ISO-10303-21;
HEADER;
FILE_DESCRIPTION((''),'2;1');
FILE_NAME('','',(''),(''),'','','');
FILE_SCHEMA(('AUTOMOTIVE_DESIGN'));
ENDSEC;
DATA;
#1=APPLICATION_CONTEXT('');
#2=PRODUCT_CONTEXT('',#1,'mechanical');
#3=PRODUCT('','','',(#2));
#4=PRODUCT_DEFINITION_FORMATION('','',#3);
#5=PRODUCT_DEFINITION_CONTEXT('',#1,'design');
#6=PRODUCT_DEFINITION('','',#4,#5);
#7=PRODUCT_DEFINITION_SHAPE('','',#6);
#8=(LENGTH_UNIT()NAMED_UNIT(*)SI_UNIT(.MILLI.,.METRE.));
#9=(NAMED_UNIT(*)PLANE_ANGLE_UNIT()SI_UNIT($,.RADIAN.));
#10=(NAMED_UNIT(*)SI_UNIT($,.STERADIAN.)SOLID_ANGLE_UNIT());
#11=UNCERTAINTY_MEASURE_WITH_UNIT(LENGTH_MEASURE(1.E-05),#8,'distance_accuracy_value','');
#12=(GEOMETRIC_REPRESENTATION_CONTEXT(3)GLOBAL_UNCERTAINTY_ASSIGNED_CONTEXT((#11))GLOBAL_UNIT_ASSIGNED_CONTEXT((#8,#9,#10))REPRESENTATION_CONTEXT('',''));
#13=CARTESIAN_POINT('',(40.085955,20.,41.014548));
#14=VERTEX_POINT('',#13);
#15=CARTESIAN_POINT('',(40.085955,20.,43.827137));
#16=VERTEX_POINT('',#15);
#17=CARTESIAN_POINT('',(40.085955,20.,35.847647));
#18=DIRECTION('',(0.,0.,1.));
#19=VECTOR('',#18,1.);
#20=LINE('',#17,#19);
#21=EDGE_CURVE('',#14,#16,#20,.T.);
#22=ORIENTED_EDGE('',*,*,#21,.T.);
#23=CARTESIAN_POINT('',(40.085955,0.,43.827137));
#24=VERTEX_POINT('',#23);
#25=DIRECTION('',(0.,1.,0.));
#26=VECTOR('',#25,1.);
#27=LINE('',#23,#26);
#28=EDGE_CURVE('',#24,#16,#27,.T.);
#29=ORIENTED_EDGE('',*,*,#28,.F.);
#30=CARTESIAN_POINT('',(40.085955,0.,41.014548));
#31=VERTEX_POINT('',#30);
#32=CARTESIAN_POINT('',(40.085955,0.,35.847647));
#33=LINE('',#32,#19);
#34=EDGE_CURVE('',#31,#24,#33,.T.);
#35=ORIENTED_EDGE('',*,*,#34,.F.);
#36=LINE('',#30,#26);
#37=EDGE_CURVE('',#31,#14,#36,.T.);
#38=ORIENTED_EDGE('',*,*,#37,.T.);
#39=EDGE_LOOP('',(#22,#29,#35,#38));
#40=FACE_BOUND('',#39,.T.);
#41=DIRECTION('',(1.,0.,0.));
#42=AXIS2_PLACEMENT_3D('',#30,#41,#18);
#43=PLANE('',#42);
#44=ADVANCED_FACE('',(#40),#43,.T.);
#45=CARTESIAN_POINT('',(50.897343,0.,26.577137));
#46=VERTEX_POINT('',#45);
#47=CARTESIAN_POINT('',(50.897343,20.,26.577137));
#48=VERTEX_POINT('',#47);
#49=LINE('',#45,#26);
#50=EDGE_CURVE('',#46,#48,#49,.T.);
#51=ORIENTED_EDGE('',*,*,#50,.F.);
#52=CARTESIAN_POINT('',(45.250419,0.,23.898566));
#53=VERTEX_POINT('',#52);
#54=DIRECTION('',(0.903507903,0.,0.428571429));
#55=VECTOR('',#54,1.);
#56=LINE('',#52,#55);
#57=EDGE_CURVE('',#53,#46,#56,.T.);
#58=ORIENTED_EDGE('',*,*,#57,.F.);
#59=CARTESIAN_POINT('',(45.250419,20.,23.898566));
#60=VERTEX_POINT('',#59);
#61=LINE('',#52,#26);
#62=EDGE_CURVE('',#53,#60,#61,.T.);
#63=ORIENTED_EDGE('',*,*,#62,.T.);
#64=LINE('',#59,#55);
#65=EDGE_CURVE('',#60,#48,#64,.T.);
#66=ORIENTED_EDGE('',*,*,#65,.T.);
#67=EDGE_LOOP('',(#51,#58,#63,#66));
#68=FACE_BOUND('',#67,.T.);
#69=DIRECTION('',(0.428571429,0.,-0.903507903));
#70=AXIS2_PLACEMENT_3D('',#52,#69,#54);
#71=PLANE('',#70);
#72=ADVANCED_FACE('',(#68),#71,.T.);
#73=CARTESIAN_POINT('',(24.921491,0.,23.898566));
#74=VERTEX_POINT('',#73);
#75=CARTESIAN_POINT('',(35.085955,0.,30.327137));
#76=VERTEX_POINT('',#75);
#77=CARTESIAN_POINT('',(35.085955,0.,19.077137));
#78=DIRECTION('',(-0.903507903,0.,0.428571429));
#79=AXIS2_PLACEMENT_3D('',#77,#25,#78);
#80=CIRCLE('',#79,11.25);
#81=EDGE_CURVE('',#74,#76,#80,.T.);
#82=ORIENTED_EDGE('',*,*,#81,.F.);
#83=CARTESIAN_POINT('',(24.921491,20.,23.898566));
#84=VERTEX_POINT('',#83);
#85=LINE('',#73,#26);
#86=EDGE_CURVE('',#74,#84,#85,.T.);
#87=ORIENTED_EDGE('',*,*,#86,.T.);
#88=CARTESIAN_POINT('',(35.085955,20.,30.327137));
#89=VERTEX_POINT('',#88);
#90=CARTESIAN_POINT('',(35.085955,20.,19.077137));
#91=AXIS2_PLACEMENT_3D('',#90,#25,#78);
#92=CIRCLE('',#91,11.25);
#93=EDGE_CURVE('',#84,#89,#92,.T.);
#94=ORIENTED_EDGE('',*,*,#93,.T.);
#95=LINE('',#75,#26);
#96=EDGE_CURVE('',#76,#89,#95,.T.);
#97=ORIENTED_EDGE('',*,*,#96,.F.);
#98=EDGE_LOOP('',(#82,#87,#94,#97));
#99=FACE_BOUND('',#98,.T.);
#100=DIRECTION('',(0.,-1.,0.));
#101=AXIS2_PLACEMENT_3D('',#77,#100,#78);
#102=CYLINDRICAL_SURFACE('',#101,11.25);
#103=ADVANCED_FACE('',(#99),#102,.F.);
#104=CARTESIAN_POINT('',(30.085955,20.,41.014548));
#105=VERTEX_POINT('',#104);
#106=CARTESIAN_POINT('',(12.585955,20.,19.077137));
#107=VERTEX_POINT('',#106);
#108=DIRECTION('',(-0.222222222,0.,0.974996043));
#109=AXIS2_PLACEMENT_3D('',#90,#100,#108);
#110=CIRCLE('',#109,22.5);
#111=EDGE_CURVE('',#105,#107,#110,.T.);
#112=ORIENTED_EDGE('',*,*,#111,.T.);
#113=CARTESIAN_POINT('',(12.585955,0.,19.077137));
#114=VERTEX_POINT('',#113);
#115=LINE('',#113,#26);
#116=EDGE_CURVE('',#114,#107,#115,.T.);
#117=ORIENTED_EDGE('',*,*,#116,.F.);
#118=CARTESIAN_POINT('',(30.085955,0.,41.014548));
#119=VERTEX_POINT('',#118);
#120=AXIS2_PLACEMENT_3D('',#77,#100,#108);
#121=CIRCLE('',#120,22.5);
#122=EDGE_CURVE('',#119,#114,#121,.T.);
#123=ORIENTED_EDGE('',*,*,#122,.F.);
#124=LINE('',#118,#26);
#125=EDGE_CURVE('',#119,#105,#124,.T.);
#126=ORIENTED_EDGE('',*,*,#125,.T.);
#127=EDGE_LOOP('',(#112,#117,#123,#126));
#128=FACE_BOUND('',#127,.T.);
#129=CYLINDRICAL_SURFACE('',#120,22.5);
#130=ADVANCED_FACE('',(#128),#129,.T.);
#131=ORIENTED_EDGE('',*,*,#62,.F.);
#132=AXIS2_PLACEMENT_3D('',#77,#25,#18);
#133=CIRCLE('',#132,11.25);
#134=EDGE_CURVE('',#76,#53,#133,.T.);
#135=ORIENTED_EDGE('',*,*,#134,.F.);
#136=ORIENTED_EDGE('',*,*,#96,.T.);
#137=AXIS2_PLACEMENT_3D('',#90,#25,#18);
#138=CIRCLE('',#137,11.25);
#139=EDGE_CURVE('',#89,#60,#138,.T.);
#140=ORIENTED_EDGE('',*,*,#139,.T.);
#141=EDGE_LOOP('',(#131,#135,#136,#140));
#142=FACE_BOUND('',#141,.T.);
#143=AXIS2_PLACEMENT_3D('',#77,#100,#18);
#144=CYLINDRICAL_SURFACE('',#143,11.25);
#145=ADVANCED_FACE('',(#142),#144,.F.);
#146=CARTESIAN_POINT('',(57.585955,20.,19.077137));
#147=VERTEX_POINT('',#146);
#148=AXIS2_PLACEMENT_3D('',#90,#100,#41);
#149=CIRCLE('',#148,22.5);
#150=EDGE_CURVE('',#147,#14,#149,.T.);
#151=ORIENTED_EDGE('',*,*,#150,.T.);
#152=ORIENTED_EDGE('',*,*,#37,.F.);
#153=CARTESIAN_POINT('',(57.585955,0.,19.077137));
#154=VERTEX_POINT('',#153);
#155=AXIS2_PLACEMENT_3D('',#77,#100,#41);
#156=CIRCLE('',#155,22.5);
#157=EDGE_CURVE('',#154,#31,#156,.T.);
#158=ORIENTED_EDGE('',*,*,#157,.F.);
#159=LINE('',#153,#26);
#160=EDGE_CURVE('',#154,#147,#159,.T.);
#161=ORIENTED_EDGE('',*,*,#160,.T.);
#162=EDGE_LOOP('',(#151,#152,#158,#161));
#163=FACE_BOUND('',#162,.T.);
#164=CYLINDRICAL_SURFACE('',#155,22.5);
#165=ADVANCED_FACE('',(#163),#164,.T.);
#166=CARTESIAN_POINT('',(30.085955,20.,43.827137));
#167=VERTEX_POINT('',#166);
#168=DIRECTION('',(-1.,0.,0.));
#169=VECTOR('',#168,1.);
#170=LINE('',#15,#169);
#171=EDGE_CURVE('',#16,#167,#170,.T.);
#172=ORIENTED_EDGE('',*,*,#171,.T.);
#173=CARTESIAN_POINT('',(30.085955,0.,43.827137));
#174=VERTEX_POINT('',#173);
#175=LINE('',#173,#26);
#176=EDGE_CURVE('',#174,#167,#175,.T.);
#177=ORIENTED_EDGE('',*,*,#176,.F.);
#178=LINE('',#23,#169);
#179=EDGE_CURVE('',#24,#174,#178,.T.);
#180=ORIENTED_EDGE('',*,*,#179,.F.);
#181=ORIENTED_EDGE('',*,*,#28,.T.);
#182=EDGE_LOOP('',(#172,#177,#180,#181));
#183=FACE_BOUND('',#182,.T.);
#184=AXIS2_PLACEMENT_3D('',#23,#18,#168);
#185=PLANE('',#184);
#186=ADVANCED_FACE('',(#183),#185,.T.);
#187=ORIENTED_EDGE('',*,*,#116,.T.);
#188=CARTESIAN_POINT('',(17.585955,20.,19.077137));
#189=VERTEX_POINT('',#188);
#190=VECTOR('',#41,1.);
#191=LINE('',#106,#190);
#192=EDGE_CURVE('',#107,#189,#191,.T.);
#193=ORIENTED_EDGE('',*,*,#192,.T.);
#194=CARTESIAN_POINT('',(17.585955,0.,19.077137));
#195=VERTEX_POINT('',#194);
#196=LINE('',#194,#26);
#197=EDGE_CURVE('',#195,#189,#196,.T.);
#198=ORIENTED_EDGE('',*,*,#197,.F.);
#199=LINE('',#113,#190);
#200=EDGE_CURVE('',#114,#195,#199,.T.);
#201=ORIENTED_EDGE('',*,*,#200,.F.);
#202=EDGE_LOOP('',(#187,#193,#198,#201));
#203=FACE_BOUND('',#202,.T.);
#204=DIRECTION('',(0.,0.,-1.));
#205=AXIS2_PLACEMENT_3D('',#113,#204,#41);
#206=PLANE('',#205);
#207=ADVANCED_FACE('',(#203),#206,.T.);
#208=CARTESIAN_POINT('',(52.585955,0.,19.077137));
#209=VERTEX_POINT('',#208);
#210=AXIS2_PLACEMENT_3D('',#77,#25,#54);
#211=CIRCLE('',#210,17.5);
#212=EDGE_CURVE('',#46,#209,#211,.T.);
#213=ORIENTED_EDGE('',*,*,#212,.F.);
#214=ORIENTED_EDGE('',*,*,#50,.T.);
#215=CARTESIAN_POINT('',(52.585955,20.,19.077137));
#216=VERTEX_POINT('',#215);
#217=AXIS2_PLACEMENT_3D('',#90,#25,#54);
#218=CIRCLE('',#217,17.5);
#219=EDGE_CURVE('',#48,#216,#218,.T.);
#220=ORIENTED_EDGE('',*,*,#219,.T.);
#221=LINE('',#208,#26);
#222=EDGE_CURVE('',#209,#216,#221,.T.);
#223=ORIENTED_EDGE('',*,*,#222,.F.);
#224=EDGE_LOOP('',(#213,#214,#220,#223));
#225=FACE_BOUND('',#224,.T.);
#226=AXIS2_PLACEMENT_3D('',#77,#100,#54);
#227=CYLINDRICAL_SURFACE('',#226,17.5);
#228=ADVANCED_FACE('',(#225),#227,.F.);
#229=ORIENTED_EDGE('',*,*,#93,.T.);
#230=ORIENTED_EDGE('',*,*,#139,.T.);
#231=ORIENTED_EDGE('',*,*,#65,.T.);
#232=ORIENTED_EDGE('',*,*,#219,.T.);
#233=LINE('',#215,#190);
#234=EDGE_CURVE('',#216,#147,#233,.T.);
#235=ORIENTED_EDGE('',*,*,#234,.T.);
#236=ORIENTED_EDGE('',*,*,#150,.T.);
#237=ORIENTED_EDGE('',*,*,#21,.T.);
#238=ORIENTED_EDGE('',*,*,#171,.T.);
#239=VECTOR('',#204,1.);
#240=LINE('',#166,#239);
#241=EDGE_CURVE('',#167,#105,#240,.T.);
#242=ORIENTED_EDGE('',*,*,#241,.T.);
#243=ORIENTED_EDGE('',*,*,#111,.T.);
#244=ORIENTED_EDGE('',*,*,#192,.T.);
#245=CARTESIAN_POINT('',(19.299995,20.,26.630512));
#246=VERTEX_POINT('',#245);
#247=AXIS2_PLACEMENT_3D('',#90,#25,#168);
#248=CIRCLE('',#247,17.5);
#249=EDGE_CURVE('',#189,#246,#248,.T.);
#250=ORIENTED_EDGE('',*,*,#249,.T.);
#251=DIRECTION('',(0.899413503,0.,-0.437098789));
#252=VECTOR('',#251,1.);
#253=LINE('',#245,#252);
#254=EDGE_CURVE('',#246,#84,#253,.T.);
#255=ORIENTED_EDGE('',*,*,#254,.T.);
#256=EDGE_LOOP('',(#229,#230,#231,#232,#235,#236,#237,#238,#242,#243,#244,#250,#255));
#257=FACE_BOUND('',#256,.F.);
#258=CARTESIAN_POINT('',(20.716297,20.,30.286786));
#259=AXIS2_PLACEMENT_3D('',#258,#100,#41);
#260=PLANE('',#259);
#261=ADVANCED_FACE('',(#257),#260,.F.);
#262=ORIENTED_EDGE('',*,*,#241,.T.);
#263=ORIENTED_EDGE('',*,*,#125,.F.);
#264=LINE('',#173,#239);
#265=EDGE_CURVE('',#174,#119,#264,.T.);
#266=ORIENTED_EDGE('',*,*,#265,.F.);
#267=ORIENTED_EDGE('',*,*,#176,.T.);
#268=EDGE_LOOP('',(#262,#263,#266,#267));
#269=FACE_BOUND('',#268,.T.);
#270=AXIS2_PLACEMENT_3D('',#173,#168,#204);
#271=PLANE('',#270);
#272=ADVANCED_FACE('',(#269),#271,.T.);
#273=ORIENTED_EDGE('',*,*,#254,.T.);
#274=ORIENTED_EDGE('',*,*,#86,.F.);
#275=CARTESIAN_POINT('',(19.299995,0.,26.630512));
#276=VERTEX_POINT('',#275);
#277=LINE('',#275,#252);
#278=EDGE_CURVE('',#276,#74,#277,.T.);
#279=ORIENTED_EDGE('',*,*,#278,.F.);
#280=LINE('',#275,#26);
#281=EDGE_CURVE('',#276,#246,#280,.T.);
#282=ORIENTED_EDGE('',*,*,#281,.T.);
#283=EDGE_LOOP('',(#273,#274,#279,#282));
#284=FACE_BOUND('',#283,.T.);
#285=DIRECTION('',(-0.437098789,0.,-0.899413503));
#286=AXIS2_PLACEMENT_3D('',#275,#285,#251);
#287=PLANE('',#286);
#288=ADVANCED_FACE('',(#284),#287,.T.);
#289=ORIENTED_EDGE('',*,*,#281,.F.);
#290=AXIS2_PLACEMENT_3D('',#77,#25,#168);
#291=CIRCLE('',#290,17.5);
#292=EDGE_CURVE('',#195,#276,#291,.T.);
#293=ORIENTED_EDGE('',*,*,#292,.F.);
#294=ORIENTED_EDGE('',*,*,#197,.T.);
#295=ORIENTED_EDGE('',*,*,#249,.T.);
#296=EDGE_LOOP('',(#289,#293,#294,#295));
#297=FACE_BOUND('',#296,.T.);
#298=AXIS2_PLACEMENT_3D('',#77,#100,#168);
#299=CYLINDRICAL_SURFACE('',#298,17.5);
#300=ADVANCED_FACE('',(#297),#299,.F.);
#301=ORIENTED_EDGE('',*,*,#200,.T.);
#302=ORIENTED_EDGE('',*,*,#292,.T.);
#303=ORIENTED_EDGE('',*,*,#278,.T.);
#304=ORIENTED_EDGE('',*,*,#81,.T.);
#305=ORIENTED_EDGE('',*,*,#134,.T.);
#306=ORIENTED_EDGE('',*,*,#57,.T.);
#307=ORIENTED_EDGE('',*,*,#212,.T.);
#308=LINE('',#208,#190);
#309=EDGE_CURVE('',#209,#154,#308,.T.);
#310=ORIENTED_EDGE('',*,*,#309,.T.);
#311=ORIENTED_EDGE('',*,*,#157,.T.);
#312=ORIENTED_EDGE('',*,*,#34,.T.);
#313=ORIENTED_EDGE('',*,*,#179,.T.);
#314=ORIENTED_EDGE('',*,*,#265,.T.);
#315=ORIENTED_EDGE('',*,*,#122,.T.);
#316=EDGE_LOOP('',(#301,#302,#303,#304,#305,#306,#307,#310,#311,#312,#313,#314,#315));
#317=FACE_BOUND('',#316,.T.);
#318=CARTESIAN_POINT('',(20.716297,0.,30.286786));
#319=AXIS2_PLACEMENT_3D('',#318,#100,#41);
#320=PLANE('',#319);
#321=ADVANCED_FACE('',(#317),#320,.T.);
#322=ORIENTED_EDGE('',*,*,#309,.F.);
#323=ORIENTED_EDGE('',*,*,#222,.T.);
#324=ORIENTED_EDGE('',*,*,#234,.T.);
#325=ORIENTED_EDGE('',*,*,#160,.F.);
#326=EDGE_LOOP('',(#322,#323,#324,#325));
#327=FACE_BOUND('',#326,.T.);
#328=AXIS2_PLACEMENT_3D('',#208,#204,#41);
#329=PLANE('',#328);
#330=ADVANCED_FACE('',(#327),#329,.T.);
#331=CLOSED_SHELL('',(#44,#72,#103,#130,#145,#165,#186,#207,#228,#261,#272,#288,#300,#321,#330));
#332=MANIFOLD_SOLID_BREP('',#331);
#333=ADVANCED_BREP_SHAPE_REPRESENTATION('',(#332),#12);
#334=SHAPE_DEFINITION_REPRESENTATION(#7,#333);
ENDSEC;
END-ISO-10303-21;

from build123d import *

# Parameters (mm, degrees)
F1_DEPTH = 20


with BuildPart() as f1:
    # F0 (on Front) → F1 (new body)
    with BuildSketch(Plane.XZ):
        with BuildLine():
            ThreePointArc((17.5859551343, 19.07713693), (18.019843983, 22.9498427249), (19.2999951541, 26.6305115074))
            ThreePointArc((19.2999951541, 26.6305115074), (20.3740299114, 28.5539114993), (21.6811985158, 30.32713693))
            ThreePointArc((21.6811985158, 30.32713693), (25.4785218795, 33.7040718876), (30.0859551343, 35.8476467612))
            Line((30.0859551343, 35.8476467612), (30.0859551343, 41.0145478985))
            ThreePointArc((30.0859551343, 41.0145478985), (17.4968960349, 33.1083521304), (12.5859551343, 19.07713693))
            Line((12.5859551343, 19.07713693), (17.5859551343, 19.07713693))
        make_face()
        with BuildLine():
            Line((30.0859551343, 43.82713693), (30.0859551343, 41.0145478985))
            ThreePointArc((30.0859551343, 41.0145478985), (35.0859551343, 41.57713693), (40.0859551343, 41.0145478985))
            Line((40.0859551343, 41.0145478985), (40.0859551343, 43.82713693))
            Line((40.0859551343, 43.82713693), (30.0859551343, 43.82713693))
        make_face()
        with BuildLine():
            Line((30.0859551343, 41.0145478985), (30.0859551343, 35.8476467612))
            ThreePointArc((30.0859551343, 35.8476467612), (35.0859551343, 36.57713693), (40.0859551343, 35.8476467612))
            Line((40.0859551343, 35.8476467612), (40.0859551343, 41.0145478985))
            ThreePointArc((40.0859551343, 41.0145478985), (35.0859551343, 41.57713693), (30.0859551343, 41.0145478985))
        make_face()
        with BuildLine():
            ThreePointArc((48.4907117527, 30.32713693), (49.8138676132, 28.5290464732), (50.8973434351, 26.57713693))
            ThreePointArc((50.8973434351, 26.57713693), (52.1585837436, 22.921008984), (52.5859551343, 19.07713693))
            Line((52.5859551343, 19.07713693), (57.5859551343, 19.07713693))
            ThreePointArc((57.5859551343, 19.07713693), (52.6750142336, 33.1083521304), (40.0859551343, 41.0145478985))
            Line((40.0859551343, 41.0145478985), (40.0859551343, 35.8476467612))
            ThreePointArc((40.0859551343, 35.8476467612), (44.693388389, 33.7040718876), (48.4907117527, 30.32713693))
        make_face()
        with BuildLine():
            Line((19.2999951541, 26.6305115074), (24.9214912266, 23.8985655014))
            ThreePointArc((24.9214912266, 23.8985655014), (29.0725771912, 28.5851222957), (35.0859551343, 30.32713693))
            Line((35.0859551343, 30.32713693), (30.0859551343, 30.32713693))
            Line((30.0859551343, 30.32713693), (30.0859551343, 35.8476467612))
            ThreePointArc((30.0859551343, 35.8476467612), (25.4785218795, 33.7040718876), (21.6811985158, 30.32713693))
            ThreePointArc((21.6811985158, 30.32713693), (20.3740299114, 28.5539114993), (19.2999951541, 26.6305115074))
        make_face()
        with BuildLine():
            Line((30.0859551343, 30.32713693), (35.0859551343, 30.32713693))
            Line((35.0859551343, 30.32713693), (40.0859551343, 30.32713693))
            Line((40.0859551343, 30.32713693), (40.0859551343, 35.8476467612))
            ThreePointArc((40.0859551343, 35.8476467612), (35.0859551343, 36.57713693), (30.0859551343, 35.8476467612))
            Line((30.0859551343, 35.8476467612), (30.0859551343, 30.32713693))
        make_face()
        with BuildLine():
            Line((40.0859551343, 30.32713693), (35.0859551343, 30.32713693))
            ThreePointArc((35.0859551343, 30.32713693), (41.0993330773, 28.5851222957), (45.2504190419, 23.8985655014))
            Line((45.2504190419, 23.8985655014), (50.8973434351, 26.57713693))
            ThreePointArc((50.8973434351, 26.57713693), (49.8138676132, 28.5290464732), (48.4907117527, 30.32713693))
            ThreePointArc((48.4907117527, 30.32713693), (44.693388389, 33.7040718876), (40.0859551343, 35.8476467612))
            Line((40.0859551343, 35.8476467612), (40.0859551343, 30.32713693))
        make_face()
    extrude(amount=-F1_DEPTH)


solid = f1.part
